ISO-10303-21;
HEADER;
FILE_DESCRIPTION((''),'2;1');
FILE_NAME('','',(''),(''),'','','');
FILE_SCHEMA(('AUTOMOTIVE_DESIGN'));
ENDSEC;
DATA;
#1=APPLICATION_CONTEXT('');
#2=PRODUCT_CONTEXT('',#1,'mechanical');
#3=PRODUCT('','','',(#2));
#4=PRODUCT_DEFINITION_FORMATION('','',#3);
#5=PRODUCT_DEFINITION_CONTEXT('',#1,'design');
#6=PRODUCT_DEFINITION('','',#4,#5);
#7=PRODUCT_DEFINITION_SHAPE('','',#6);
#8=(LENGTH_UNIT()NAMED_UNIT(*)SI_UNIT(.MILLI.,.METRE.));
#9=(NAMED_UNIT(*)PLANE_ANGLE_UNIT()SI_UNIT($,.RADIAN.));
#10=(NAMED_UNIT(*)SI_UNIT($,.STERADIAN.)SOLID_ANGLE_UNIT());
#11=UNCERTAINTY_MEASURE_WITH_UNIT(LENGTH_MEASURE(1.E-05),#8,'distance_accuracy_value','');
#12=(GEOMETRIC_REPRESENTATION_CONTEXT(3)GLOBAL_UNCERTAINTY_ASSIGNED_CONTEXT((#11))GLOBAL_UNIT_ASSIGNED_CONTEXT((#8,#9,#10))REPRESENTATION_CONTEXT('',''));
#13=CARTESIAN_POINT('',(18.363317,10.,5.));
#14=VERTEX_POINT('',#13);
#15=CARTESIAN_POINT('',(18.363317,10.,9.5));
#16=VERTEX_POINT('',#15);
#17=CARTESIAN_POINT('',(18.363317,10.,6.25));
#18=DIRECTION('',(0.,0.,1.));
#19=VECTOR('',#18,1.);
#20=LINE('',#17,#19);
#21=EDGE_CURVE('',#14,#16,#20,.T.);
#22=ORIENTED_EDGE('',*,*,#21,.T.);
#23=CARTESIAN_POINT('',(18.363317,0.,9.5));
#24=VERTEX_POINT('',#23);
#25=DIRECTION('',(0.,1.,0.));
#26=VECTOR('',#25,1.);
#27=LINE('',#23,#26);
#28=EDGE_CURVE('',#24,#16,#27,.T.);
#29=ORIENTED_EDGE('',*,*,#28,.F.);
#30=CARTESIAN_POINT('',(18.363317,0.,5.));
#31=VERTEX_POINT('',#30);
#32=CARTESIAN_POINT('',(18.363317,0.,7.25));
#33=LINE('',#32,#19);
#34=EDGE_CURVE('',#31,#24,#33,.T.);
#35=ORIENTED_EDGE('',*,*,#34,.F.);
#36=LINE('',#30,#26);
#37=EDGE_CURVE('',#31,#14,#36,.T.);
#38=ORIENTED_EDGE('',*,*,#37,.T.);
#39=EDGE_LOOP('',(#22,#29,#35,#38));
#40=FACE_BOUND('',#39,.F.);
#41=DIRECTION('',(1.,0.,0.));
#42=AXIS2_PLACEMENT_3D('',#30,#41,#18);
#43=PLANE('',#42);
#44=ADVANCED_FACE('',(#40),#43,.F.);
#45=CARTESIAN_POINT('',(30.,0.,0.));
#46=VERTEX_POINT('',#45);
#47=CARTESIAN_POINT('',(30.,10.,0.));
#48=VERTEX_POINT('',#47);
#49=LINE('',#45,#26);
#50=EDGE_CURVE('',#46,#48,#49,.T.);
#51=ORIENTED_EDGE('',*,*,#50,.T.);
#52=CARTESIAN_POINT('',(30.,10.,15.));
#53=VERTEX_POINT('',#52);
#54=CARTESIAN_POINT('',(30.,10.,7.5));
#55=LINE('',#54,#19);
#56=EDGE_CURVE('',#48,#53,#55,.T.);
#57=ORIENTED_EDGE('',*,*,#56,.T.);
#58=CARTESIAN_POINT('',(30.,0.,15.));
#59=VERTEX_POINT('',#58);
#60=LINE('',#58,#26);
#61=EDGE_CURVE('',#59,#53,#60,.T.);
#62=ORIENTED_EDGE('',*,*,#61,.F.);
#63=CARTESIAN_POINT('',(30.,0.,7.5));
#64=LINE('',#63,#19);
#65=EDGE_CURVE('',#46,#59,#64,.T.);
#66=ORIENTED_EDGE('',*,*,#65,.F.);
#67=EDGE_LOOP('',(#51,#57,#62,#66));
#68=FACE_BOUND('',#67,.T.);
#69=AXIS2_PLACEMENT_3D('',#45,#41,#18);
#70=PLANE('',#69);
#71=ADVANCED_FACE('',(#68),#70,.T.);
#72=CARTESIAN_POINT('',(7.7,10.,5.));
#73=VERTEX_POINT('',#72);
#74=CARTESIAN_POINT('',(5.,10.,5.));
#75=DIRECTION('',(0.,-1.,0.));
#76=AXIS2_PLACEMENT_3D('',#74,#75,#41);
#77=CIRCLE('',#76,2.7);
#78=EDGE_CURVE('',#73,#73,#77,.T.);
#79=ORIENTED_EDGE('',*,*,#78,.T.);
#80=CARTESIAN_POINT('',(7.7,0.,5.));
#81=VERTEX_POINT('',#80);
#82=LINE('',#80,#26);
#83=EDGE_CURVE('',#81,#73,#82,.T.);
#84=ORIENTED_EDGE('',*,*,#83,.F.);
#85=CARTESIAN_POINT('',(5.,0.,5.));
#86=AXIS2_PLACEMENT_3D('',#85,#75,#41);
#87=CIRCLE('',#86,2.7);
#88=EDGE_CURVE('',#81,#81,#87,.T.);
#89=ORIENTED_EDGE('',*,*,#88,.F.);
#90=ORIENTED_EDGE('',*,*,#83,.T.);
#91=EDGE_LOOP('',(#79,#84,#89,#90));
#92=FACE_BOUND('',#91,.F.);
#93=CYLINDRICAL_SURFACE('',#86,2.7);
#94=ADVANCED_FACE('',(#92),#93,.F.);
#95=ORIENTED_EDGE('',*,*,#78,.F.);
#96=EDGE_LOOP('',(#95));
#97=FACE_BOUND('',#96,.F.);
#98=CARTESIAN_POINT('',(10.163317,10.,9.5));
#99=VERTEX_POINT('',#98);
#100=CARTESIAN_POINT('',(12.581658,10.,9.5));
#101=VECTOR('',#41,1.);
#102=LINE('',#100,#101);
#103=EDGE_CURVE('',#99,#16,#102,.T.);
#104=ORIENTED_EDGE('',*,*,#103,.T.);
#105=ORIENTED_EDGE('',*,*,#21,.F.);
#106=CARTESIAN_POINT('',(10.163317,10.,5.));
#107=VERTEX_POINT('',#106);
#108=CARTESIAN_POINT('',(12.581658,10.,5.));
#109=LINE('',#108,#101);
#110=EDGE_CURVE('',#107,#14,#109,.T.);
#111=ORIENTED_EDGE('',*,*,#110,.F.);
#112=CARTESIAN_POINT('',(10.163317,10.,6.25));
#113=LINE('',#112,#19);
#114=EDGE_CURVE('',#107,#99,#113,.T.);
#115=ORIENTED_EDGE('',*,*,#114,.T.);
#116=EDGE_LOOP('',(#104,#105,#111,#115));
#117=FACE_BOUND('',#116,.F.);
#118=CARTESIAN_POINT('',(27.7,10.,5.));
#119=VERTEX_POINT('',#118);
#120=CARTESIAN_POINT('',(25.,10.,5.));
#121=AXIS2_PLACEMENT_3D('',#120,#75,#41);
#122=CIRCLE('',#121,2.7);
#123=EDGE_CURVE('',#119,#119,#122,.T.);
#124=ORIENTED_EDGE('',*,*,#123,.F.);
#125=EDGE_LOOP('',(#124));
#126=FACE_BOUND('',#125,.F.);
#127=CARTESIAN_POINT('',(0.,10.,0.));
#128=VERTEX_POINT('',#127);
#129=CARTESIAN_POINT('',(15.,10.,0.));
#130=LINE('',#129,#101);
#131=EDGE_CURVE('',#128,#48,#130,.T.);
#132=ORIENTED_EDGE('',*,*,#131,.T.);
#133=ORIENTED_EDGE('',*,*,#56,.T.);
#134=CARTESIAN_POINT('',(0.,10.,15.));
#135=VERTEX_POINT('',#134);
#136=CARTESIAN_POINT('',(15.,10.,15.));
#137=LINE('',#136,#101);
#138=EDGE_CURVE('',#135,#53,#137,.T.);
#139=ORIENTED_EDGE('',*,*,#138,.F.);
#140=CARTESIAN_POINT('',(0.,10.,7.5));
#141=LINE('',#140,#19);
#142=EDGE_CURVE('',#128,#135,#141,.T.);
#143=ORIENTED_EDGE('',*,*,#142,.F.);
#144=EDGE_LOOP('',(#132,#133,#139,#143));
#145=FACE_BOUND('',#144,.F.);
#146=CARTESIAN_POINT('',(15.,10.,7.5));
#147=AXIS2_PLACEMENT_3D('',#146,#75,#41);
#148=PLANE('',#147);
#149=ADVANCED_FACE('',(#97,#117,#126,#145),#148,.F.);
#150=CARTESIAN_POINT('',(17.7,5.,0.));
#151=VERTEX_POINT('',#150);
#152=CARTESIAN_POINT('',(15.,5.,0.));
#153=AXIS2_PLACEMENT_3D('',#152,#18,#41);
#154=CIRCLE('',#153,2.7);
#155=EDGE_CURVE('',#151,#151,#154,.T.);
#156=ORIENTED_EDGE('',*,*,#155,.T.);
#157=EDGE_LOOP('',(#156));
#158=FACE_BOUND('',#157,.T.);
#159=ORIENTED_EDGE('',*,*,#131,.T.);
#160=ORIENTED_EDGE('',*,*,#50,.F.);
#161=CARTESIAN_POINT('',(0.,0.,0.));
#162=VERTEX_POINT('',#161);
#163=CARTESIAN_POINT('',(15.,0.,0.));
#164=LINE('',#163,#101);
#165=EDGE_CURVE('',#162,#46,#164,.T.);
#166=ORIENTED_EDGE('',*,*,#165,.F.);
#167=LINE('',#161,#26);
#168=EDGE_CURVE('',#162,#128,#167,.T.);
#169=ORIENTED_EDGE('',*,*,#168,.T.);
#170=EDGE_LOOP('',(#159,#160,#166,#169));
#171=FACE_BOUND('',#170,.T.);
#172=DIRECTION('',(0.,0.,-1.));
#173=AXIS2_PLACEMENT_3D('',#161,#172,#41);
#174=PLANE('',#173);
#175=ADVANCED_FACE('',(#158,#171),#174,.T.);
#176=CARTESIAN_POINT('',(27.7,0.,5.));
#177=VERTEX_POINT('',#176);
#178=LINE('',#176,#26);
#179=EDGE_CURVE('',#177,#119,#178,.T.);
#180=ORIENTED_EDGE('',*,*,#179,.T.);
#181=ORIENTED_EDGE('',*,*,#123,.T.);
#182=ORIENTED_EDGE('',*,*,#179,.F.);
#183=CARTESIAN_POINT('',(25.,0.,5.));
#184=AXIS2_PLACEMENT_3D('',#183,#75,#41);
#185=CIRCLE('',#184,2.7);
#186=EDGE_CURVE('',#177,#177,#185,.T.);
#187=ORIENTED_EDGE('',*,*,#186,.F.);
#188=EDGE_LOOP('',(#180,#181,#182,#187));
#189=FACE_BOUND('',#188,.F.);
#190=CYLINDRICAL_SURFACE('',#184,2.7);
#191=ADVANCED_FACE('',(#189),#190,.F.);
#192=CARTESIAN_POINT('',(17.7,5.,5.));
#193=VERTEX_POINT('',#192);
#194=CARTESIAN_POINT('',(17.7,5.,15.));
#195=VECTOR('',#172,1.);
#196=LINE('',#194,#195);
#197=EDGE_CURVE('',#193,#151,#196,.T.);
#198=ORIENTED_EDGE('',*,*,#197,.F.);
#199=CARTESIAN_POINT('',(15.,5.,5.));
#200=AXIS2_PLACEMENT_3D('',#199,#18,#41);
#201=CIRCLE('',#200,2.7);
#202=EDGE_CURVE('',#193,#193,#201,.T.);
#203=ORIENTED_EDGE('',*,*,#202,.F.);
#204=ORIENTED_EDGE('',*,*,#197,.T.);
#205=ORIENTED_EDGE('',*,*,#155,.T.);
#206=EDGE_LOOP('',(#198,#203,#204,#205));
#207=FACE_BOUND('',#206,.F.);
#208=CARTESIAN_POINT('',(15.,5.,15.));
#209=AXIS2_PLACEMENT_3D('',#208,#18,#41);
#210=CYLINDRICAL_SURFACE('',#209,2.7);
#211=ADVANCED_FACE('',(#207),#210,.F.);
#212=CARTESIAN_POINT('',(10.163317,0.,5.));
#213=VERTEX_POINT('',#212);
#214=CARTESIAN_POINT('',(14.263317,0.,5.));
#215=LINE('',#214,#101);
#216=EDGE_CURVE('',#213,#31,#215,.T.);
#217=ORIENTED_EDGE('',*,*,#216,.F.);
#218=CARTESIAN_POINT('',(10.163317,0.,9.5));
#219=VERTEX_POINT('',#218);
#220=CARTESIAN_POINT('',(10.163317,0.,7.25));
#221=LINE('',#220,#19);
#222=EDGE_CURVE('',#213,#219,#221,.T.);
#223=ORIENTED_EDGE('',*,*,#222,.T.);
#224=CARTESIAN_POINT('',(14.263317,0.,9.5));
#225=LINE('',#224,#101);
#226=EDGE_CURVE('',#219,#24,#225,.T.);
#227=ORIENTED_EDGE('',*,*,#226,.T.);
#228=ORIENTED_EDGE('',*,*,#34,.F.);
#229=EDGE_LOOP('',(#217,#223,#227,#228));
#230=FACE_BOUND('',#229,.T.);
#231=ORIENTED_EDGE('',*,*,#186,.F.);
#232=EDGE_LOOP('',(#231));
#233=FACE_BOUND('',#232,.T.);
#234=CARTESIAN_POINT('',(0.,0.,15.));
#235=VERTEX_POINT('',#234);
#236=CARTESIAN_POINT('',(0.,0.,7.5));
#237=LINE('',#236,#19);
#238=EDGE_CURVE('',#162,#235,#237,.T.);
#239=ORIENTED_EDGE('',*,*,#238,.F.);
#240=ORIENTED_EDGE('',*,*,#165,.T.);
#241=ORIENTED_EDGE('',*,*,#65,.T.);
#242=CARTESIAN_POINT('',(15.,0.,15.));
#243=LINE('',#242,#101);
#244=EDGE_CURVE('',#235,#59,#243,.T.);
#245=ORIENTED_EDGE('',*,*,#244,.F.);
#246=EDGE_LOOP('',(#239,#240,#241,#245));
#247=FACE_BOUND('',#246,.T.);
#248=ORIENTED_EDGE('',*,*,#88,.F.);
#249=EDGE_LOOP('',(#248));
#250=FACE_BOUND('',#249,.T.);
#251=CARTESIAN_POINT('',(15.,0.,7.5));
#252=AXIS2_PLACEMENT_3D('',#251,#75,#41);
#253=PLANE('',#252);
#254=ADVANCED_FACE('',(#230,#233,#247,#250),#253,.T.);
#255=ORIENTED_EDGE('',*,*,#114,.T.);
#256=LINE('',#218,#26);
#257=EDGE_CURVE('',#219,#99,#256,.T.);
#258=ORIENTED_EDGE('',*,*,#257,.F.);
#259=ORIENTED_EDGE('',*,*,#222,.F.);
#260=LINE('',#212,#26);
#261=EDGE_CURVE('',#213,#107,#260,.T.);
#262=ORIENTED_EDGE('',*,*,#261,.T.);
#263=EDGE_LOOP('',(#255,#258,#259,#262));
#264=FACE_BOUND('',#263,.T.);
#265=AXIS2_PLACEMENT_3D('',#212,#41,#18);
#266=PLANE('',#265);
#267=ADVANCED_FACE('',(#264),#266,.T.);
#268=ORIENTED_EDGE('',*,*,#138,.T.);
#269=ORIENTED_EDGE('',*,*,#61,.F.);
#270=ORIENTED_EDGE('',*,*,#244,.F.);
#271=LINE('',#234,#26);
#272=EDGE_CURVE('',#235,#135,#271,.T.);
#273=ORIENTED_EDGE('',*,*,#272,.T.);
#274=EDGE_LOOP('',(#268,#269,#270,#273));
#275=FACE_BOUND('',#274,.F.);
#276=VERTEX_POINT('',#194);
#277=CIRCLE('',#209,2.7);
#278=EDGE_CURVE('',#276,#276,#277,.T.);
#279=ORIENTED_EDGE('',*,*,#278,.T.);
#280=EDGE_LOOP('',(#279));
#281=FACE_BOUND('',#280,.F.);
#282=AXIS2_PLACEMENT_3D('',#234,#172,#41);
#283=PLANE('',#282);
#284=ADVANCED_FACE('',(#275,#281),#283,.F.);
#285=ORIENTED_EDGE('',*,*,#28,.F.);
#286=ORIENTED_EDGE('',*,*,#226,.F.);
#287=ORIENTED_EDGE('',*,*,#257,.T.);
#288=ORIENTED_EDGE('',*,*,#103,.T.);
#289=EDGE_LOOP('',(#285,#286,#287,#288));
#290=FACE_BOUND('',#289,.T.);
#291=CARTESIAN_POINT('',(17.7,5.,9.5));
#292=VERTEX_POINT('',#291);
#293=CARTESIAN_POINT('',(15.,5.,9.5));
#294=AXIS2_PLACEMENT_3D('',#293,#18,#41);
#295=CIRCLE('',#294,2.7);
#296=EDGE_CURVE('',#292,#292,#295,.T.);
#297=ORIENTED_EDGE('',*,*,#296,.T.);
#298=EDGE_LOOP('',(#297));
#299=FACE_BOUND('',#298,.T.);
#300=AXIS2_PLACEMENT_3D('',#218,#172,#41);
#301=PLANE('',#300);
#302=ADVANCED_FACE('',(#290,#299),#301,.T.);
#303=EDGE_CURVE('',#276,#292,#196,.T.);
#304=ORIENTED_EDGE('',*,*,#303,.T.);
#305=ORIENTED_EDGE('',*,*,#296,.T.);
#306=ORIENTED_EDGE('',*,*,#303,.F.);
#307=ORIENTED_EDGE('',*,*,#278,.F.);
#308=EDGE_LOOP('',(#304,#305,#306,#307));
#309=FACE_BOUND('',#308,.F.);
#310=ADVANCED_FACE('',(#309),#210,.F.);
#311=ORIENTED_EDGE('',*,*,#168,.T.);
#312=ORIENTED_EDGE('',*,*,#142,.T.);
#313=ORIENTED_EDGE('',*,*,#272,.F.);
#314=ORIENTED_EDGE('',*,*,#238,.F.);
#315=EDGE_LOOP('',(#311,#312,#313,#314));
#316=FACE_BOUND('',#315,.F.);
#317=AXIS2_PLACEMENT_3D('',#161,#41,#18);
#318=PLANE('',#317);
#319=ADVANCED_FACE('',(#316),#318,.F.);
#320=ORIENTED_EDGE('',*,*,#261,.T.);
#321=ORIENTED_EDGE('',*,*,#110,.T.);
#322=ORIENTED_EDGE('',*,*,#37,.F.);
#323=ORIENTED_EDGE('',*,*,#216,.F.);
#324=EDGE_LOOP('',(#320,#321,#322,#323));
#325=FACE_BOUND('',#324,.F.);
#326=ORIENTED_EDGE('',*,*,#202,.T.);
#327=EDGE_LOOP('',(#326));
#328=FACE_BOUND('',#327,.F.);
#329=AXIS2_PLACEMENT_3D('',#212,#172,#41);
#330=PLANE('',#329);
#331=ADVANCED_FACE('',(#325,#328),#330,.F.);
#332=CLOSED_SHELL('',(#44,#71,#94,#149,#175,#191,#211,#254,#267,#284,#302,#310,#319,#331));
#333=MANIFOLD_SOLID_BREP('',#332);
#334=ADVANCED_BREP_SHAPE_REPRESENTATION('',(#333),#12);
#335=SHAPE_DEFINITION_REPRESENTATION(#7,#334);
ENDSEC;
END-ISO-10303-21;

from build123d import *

# Parameters (mm, degrees)
SKETCH_AS_DRAWN_W              = 30
SKETCH_AS_DRAWN_H              = 15
SKETCH_AS_DRAWN_R              = 2.7
EXTRUDE_DEPTH                  = 10
EXTRUDE_ONTO_SKETCH_ROLL_ANGLE = 90
SKETCH001_R                    = 2.7
POCKET_DEPTH                   = 15.001
SKETCH002_W                    = 8.2
SKETCH002_H                    = 4.5
POCKET001_DEPTH                = 10.001


with BuildPart() as part:
    # Sketch as drawn → Extrude (new)
    with BuildSketch(Plane.XY):
        with Locations((15, 7.5)):
            Rectangle(SKETCH_AS_DRAWN_W, SKETCH_AS_DRAWN_H)
        with Locations((5, 5)):
            Circle(SKETCH_AS_DRAWN_R, mode=Mode.SUBTRACT)
        with Locations((25, 5)):
            Circle(SKETCH_AS_DRAWN_R, mode=Mode.SUBTRACT)
    extrude(amount=-EXTRUDE_DEPTH)


with BuildPart() as part_1:
    # Extrude onto Sketch roll: moved
    add(part.part.rotate(Axis((0, 0, 0), (1, 0, 0)), EXTRUDE_ONTO_SKETCH_ROLL_ANGLE))


with BuildPart() as part_2:
    # Extrude onto Sketch placement: moved
    add(part_1.part)

    # Sketch001 → Pocket (cut, through all)
    with BuildSketch(Plane.XY.offset(15)):
        with Locations((15, 5)):
            Circle(SKETCH001_R)
    extrude(amount=-POCKET_DEPTH, mode=Mode.SUBTRACT)

    # Sketch002 → Pocket001 (cut, through all)
    with BuildSketch(Plane.XZ):
        with Locations((14.263317, 7.25)):
            Rectangle(SKETCH002_W, SKETCH002_H)
    extrude(amount=-POCKET001_DEPTH, mode=Mode.SUBTRACT)


solid = part_2.part
